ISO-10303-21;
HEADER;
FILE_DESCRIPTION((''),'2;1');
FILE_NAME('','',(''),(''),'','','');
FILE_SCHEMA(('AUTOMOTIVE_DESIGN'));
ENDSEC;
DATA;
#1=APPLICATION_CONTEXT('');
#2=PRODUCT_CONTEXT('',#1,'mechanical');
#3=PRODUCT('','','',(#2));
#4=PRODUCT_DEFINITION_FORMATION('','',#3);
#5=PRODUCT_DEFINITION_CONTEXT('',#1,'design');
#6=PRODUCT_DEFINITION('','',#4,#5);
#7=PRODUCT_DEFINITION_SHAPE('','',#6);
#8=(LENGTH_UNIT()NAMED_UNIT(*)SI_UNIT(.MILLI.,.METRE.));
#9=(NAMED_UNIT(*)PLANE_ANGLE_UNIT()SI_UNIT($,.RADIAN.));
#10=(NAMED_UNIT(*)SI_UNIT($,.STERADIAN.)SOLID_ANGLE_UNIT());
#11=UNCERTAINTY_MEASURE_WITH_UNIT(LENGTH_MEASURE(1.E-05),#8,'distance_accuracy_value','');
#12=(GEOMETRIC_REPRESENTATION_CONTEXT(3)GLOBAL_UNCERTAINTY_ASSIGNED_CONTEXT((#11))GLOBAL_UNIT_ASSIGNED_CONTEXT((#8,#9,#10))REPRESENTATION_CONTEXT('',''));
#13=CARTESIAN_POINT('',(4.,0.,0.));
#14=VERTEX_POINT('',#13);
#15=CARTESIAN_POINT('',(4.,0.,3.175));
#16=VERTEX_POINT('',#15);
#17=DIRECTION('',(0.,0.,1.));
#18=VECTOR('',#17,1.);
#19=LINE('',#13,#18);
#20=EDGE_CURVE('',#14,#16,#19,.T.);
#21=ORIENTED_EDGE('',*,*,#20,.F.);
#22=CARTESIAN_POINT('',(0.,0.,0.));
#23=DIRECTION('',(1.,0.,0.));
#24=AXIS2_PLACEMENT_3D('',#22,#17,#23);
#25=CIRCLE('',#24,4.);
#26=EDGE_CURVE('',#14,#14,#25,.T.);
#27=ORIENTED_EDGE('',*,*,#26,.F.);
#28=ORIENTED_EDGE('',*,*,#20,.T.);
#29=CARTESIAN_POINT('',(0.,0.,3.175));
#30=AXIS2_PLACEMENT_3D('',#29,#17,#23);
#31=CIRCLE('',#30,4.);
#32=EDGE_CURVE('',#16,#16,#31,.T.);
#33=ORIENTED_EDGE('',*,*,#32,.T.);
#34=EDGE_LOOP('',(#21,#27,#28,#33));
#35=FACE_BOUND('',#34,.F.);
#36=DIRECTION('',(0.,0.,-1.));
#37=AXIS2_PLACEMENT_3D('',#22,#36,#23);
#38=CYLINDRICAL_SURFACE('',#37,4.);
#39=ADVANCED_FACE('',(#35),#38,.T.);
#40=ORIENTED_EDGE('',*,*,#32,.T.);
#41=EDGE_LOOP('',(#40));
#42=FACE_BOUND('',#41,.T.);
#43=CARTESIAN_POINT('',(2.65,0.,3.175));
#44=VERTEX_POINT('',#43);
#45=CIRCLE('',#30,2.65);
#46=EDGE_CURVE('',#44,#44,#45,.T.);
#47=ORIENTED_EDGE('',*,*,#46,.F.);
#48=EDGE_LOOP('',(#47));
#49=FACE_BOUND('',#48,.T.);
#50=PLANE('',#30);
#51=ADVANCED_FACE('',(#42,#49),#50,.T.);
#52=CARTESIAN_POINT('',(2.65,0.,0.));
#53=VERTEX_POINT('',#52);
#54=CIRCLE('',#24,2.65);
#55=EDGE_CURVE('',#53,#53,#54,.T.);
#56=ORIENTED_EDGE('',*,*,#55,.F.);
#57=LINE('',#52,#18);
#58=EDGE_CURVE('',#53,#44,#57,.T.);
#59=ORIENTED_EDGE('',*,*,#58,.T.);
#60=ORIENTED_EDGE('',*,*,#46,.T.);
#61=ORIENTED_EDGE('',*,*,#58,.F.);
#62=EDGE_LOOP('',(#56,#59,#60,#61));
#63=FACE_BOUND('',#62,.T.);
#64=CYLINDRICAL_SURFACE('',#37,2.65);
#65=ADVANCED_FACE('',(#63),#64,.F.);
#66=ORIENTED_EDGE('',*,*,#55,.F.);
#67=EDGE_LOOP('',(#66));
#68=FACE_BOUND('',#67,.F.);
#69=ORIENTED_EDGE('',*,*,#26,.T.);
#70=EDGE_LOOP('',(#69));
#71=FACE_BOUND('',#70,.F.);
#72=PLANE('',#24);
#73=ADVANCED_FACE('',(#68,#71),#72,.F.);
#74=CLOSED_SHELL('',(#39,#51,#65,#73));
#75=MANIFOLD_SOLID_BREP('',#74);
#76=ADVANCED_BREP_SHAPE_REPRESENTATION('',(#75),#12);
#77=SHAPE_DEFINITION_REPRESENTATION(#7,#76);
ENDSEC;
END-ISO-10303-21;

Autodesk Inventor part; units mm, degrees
ref_plane "YZ Plane" through (0, 0, 0) normal (1, 0, 0) x (0, 1, 0)
ref_plane "XZ Plane" through (0, 0, 0) normal (0, 1, 0) x (-1, 0, 0)
ref_plane "XY Plane" through (0, 0, 0) normal (0, 0, 1) x (1, 0, 0)
sketch "Sketch1" plane through (0, 0, 0) normal (0, 0, 1) x (1, 0, 0)
  circle A0 centre (0, 0) radius 2.65
  circle A1 centre (0, 0) radius 4
  dimension "d0" = 5.3
  dimension "d1" = 8
extrude "Extrusion1" add sketch "Sketch1" along normal blind 3.175
properties part number "Normal M5 Wheel Spacer 3mm" material "Aluminum 6061"
